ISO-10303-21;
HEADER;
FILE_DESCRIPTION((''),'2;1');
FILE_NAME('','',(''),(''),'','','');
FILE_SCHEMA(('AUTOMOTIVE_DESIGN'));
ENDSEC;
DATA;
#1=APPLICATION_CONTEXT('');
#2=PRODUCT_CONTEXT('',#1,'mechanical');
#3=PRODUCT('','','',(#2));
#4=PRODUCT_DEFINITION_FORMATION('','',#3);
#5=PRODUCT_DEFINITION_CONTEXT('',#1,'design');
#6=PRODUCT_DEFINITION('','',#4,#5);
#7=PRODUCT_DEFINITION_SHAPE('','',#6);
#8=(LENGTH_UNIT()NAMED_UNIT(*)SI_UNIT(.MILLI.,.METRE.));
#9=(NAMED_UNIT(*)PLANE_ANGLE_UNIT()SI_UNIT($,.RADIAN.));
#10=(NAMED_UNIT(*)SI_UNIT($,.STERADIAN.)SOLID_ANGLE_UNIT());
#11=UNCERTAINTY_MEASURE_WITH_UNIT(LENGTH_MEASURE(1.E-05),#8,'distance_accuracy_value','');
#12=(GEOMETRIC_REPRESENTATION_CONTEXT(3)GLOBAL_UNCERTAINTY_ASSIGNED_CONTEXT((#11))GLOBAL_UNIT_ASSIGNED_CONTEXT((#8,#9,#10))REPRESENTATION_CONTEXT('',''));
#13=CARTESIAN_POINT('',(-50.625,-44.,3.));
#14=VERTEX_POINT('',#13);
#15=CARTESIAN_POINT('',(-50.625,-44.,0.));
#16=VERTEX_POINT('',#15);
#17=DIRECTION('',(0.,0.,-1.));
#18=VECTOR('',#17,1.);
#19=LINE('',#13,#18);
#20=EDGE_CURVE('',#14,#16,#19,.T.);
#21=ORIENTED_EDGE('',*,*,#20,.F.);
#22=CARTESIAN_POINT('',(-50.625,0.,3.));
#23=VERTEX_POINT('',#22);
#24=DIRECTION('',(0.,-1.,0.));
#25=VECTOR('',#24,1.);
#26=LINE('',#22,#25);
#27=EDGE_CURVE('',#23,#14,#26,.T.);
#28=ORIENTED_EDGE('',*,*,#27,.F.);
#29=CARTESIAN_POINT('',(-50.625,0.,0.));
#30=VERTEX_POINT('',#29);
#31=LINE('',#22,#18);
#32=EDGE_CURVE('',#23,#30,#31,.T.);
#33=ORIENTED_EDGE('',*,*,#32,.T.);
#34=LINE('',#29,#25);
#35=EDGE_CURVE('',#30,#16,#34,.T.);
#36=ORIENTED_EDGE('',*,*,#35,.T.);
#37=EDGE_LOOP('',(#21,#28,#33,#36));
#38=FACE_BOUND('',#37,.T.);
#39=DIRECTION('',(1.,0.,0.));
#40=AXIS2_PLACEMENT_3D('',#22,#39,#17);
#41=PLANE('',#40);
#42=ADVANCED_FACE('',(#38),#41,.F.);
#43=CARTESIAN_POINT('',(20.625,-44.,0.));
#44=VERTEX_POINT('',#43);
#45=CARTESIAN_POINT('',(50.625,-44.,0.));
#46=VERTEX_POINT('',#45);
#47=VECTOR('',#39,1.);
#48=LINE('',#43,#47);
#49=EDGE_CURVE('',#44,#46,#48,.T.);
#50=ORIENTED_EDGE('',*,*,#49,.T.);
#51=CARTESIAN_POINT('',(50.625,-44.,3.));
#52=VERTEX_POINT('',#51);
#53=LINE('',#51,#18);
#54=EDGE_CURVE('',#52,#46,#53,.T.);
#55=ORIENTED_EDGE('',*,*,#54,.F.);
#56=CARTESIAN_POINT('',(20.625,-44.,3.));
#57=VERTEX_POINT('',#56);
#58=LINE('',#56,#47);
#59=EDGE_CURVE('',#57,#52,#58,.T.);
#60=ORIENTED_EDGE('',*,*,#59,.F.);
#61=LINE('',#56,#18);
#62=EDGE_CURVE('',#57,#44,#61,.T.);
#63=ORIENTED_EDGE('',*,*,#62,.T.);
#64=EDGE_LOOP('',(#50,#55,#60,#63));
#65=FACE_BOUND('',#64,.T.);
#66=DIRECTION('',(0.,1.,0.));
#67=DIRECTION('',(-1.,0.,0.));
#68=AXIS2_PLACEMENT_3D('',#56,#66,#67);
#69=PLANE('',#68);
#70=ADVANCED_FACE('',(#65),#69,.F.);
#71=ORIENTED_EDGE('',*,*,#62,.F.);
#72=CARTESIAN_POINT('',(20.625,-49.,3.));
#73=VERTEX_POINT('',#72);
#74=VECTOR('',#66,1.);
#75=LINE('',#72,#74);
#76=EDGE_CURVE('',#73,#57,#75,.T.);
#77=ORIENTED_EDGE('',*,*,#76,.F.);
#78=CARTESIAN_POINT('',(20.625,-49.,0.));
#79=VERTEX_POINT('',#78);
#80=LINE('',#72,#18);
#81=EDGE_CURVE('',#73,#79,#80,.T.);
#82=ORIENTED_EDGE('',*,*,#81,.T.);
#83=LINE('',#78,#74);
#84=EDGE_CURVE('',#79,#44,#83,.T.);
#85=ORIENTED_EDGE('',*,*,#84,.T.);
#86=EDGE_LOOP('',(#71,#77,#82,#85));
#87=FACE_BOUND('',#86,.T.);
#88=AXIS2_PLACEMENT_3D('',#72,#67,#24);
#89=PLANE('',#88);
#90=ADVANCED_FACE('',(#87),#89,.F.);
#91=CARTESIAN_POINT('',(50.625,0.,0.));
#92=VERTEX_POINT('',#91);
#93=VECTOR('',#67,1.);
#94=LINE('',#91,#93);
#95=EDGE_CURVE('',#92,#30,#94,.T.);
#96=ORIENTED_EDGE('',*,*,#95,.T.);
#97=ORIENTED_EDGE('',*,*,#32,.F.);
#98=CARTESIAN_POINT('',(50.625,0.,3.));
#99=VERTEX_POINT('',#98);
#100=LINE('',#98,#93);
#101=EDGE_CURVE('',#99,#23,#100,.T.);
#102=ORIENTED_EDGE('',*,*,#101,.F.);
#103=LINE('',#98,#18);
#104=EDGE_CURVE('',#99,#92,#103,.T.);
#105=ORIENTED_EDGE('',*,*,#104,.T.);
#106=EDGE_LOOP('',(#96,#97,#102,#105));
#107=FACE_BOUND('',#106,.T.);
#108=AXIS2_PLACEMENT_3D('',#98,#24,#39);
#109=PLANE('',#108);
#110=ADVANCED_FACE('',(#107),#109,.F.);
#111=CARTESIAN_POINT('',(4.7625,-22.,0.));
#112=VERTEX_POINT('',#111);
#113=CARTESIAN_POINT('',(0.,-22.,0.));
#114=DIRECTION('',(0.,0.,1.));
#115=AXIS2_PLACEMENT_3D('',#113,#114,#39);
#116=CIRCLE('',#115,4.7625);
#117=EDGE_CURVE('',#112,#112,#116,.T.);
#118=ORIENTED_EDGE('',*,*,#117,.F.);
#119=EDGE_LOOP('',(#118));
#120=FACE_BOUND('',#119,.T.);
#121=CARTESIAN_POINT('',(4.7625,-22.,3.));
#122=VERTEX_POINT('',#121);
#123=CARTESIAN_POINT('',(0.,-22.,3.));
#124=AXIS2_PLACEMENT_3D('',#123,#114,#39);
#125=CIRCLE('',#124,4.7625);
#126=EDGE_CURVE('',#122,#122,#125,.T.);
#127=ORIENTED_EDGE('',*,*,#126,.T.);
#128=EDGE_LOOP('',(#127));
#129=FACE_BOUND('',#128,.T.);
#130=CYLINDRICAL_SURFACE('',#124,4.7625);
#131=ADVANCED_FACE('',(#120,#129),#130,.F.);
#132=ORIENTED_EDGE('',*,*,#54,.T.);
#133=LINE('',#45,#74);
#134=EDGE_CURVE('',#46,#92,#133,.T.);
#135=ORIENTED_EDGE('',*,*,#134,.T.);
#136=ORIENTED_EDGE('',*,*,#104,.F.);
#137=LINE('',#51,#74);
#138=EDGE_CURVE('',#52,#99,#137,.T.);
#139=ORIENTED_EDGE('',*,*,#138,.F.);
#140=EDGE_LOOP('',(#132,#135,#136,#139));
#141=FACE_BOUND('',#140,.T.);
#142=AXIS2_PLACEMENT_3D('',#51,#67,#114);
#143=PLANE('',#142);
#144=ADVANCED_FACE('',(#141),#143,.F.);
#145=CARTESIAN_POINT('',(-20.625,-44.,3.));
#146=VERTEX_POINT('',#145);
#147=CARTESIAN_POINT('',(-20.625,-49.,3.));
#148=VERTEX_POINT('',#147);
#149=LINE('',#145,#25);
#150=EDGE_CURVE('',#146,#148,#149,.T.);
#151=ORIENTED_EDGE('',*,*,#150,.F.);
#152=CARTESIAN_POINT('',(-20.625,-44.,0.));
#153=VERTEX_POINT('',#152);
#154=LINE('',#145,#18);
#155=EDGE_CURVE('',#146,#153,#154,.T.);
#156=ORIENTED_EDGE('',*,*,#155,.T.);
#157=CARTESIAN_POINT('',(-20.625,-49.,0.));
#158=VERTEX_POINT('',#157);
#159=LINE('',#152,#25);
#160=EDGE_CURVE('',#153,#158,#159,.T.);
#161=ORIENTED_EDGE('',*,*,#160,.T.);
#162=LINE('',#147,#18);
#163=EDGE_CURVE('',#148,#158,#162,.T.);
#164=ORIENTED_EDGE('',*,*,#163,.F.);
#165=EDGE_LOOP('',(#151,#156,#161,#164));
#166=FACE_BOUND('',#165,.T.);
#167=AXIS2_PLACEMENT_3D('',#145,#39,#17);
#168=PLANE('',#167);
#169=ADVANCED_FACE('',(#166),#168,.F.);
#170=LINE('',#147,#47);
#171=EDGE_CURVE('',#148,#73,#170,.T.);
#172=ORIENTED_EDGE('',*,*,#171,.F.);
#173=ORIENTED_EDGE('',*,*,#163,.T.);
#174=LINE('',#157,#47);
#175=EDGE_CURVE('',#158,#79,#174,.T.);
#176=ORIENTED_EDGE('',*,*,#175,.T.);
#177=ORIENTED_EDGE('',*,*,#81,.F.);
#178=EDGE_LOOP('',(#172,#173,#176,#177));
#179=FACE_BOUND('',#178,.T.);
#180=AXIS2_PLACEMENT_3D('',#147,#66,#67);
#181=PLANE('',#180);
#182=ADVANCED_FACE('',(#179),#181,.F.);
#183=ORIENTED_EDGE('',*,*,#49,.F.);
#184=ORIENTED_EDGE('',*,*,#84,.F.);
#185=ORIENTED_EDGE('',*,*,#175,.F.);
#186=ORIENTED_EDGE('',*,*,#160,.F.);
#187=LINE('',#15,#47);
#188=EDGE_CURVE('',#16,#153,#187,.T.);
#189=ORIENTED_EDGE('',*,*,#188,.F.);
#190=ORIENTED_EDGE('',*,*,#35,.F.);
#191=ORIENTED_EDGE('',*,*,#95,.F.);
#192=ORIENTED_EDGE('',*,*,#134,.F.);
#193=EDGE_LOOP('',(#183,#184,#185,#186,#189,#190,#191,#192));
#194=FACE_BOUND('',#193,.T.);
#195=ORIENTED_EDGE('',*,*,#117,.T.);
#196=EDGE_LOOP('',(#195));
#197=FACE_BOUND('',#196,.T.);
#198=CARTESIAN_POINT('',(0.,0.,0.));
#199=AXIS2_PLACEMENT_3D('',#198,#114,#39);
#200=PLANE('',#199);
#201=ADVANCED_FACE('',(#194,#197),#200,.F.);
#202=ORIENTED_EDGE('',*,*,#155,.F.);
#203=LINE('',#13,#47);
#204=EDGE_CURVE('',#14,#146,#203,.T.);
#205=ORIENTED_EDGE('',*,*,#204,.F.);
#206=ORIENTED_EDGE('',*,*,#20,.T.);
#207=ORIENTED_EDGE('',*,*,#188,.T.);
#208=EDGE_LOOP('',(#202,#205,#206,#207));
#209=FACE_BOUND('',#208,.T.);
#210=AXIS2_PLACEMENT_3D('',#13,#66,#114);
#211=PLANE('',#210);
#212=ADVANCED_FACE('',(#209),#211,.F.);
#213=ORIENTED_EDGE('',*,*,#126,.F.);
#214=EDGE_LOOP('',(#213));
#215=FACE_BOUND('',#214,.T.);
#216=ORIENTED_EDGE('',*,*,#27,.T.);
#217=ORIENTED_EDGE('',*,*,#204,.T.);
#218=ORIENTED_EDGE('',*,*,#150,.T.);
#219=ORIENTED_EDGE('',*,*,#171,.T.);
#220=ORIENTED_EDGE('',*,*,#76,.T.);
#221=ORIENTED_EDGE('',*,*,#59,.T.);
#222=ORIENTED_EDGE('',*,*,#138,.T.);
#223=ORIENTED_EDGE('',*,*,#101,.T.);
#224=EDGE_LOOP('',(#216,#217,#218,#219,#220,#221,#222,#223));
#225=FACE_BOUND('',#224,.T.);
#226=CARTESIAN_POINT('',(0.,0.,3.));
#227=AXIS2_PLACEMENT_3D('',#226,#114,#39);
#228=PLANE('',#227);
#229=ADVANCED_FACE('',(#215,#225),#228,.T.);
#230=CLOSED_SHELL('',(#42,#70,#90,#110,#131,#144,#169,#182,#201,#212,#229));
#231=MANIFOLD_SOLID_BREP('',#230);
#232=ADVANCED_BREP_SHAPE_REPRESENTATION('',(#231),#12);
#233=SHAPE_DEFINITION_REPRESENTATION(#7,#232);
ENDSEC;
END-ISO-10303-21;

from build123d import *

# Parameters (mm, degrees)
BOSS_EXTRUDE1_DEPTH        = 3
F_3_8_0_3750_DOWEL_HOLE1_D = 9.525


with BuildPart() as part:
    # Sketch1 → Boss-Extrude1 (new body)
    with BuildSketch(Plane.XY):
        Polygon((-50.625, 0), (-50.625, -44), (-20.625, -44), (-20.625, -49), (20.625, -49), (20.625, -44), (50.625, -44), (50.625, 0), align=None)
    extrude(amount=BOSS_EXTRUDE1_DEPTH)

    # 3/8 (0.3750) Dowel Hole1 (through all)
    with Locations(Plane.XY.offset(3)):
        with Locations((0, -22)):
            Hole(F_3_8_0_3750_DOWEL_HOLE1_D / 2)


solid = part.part
